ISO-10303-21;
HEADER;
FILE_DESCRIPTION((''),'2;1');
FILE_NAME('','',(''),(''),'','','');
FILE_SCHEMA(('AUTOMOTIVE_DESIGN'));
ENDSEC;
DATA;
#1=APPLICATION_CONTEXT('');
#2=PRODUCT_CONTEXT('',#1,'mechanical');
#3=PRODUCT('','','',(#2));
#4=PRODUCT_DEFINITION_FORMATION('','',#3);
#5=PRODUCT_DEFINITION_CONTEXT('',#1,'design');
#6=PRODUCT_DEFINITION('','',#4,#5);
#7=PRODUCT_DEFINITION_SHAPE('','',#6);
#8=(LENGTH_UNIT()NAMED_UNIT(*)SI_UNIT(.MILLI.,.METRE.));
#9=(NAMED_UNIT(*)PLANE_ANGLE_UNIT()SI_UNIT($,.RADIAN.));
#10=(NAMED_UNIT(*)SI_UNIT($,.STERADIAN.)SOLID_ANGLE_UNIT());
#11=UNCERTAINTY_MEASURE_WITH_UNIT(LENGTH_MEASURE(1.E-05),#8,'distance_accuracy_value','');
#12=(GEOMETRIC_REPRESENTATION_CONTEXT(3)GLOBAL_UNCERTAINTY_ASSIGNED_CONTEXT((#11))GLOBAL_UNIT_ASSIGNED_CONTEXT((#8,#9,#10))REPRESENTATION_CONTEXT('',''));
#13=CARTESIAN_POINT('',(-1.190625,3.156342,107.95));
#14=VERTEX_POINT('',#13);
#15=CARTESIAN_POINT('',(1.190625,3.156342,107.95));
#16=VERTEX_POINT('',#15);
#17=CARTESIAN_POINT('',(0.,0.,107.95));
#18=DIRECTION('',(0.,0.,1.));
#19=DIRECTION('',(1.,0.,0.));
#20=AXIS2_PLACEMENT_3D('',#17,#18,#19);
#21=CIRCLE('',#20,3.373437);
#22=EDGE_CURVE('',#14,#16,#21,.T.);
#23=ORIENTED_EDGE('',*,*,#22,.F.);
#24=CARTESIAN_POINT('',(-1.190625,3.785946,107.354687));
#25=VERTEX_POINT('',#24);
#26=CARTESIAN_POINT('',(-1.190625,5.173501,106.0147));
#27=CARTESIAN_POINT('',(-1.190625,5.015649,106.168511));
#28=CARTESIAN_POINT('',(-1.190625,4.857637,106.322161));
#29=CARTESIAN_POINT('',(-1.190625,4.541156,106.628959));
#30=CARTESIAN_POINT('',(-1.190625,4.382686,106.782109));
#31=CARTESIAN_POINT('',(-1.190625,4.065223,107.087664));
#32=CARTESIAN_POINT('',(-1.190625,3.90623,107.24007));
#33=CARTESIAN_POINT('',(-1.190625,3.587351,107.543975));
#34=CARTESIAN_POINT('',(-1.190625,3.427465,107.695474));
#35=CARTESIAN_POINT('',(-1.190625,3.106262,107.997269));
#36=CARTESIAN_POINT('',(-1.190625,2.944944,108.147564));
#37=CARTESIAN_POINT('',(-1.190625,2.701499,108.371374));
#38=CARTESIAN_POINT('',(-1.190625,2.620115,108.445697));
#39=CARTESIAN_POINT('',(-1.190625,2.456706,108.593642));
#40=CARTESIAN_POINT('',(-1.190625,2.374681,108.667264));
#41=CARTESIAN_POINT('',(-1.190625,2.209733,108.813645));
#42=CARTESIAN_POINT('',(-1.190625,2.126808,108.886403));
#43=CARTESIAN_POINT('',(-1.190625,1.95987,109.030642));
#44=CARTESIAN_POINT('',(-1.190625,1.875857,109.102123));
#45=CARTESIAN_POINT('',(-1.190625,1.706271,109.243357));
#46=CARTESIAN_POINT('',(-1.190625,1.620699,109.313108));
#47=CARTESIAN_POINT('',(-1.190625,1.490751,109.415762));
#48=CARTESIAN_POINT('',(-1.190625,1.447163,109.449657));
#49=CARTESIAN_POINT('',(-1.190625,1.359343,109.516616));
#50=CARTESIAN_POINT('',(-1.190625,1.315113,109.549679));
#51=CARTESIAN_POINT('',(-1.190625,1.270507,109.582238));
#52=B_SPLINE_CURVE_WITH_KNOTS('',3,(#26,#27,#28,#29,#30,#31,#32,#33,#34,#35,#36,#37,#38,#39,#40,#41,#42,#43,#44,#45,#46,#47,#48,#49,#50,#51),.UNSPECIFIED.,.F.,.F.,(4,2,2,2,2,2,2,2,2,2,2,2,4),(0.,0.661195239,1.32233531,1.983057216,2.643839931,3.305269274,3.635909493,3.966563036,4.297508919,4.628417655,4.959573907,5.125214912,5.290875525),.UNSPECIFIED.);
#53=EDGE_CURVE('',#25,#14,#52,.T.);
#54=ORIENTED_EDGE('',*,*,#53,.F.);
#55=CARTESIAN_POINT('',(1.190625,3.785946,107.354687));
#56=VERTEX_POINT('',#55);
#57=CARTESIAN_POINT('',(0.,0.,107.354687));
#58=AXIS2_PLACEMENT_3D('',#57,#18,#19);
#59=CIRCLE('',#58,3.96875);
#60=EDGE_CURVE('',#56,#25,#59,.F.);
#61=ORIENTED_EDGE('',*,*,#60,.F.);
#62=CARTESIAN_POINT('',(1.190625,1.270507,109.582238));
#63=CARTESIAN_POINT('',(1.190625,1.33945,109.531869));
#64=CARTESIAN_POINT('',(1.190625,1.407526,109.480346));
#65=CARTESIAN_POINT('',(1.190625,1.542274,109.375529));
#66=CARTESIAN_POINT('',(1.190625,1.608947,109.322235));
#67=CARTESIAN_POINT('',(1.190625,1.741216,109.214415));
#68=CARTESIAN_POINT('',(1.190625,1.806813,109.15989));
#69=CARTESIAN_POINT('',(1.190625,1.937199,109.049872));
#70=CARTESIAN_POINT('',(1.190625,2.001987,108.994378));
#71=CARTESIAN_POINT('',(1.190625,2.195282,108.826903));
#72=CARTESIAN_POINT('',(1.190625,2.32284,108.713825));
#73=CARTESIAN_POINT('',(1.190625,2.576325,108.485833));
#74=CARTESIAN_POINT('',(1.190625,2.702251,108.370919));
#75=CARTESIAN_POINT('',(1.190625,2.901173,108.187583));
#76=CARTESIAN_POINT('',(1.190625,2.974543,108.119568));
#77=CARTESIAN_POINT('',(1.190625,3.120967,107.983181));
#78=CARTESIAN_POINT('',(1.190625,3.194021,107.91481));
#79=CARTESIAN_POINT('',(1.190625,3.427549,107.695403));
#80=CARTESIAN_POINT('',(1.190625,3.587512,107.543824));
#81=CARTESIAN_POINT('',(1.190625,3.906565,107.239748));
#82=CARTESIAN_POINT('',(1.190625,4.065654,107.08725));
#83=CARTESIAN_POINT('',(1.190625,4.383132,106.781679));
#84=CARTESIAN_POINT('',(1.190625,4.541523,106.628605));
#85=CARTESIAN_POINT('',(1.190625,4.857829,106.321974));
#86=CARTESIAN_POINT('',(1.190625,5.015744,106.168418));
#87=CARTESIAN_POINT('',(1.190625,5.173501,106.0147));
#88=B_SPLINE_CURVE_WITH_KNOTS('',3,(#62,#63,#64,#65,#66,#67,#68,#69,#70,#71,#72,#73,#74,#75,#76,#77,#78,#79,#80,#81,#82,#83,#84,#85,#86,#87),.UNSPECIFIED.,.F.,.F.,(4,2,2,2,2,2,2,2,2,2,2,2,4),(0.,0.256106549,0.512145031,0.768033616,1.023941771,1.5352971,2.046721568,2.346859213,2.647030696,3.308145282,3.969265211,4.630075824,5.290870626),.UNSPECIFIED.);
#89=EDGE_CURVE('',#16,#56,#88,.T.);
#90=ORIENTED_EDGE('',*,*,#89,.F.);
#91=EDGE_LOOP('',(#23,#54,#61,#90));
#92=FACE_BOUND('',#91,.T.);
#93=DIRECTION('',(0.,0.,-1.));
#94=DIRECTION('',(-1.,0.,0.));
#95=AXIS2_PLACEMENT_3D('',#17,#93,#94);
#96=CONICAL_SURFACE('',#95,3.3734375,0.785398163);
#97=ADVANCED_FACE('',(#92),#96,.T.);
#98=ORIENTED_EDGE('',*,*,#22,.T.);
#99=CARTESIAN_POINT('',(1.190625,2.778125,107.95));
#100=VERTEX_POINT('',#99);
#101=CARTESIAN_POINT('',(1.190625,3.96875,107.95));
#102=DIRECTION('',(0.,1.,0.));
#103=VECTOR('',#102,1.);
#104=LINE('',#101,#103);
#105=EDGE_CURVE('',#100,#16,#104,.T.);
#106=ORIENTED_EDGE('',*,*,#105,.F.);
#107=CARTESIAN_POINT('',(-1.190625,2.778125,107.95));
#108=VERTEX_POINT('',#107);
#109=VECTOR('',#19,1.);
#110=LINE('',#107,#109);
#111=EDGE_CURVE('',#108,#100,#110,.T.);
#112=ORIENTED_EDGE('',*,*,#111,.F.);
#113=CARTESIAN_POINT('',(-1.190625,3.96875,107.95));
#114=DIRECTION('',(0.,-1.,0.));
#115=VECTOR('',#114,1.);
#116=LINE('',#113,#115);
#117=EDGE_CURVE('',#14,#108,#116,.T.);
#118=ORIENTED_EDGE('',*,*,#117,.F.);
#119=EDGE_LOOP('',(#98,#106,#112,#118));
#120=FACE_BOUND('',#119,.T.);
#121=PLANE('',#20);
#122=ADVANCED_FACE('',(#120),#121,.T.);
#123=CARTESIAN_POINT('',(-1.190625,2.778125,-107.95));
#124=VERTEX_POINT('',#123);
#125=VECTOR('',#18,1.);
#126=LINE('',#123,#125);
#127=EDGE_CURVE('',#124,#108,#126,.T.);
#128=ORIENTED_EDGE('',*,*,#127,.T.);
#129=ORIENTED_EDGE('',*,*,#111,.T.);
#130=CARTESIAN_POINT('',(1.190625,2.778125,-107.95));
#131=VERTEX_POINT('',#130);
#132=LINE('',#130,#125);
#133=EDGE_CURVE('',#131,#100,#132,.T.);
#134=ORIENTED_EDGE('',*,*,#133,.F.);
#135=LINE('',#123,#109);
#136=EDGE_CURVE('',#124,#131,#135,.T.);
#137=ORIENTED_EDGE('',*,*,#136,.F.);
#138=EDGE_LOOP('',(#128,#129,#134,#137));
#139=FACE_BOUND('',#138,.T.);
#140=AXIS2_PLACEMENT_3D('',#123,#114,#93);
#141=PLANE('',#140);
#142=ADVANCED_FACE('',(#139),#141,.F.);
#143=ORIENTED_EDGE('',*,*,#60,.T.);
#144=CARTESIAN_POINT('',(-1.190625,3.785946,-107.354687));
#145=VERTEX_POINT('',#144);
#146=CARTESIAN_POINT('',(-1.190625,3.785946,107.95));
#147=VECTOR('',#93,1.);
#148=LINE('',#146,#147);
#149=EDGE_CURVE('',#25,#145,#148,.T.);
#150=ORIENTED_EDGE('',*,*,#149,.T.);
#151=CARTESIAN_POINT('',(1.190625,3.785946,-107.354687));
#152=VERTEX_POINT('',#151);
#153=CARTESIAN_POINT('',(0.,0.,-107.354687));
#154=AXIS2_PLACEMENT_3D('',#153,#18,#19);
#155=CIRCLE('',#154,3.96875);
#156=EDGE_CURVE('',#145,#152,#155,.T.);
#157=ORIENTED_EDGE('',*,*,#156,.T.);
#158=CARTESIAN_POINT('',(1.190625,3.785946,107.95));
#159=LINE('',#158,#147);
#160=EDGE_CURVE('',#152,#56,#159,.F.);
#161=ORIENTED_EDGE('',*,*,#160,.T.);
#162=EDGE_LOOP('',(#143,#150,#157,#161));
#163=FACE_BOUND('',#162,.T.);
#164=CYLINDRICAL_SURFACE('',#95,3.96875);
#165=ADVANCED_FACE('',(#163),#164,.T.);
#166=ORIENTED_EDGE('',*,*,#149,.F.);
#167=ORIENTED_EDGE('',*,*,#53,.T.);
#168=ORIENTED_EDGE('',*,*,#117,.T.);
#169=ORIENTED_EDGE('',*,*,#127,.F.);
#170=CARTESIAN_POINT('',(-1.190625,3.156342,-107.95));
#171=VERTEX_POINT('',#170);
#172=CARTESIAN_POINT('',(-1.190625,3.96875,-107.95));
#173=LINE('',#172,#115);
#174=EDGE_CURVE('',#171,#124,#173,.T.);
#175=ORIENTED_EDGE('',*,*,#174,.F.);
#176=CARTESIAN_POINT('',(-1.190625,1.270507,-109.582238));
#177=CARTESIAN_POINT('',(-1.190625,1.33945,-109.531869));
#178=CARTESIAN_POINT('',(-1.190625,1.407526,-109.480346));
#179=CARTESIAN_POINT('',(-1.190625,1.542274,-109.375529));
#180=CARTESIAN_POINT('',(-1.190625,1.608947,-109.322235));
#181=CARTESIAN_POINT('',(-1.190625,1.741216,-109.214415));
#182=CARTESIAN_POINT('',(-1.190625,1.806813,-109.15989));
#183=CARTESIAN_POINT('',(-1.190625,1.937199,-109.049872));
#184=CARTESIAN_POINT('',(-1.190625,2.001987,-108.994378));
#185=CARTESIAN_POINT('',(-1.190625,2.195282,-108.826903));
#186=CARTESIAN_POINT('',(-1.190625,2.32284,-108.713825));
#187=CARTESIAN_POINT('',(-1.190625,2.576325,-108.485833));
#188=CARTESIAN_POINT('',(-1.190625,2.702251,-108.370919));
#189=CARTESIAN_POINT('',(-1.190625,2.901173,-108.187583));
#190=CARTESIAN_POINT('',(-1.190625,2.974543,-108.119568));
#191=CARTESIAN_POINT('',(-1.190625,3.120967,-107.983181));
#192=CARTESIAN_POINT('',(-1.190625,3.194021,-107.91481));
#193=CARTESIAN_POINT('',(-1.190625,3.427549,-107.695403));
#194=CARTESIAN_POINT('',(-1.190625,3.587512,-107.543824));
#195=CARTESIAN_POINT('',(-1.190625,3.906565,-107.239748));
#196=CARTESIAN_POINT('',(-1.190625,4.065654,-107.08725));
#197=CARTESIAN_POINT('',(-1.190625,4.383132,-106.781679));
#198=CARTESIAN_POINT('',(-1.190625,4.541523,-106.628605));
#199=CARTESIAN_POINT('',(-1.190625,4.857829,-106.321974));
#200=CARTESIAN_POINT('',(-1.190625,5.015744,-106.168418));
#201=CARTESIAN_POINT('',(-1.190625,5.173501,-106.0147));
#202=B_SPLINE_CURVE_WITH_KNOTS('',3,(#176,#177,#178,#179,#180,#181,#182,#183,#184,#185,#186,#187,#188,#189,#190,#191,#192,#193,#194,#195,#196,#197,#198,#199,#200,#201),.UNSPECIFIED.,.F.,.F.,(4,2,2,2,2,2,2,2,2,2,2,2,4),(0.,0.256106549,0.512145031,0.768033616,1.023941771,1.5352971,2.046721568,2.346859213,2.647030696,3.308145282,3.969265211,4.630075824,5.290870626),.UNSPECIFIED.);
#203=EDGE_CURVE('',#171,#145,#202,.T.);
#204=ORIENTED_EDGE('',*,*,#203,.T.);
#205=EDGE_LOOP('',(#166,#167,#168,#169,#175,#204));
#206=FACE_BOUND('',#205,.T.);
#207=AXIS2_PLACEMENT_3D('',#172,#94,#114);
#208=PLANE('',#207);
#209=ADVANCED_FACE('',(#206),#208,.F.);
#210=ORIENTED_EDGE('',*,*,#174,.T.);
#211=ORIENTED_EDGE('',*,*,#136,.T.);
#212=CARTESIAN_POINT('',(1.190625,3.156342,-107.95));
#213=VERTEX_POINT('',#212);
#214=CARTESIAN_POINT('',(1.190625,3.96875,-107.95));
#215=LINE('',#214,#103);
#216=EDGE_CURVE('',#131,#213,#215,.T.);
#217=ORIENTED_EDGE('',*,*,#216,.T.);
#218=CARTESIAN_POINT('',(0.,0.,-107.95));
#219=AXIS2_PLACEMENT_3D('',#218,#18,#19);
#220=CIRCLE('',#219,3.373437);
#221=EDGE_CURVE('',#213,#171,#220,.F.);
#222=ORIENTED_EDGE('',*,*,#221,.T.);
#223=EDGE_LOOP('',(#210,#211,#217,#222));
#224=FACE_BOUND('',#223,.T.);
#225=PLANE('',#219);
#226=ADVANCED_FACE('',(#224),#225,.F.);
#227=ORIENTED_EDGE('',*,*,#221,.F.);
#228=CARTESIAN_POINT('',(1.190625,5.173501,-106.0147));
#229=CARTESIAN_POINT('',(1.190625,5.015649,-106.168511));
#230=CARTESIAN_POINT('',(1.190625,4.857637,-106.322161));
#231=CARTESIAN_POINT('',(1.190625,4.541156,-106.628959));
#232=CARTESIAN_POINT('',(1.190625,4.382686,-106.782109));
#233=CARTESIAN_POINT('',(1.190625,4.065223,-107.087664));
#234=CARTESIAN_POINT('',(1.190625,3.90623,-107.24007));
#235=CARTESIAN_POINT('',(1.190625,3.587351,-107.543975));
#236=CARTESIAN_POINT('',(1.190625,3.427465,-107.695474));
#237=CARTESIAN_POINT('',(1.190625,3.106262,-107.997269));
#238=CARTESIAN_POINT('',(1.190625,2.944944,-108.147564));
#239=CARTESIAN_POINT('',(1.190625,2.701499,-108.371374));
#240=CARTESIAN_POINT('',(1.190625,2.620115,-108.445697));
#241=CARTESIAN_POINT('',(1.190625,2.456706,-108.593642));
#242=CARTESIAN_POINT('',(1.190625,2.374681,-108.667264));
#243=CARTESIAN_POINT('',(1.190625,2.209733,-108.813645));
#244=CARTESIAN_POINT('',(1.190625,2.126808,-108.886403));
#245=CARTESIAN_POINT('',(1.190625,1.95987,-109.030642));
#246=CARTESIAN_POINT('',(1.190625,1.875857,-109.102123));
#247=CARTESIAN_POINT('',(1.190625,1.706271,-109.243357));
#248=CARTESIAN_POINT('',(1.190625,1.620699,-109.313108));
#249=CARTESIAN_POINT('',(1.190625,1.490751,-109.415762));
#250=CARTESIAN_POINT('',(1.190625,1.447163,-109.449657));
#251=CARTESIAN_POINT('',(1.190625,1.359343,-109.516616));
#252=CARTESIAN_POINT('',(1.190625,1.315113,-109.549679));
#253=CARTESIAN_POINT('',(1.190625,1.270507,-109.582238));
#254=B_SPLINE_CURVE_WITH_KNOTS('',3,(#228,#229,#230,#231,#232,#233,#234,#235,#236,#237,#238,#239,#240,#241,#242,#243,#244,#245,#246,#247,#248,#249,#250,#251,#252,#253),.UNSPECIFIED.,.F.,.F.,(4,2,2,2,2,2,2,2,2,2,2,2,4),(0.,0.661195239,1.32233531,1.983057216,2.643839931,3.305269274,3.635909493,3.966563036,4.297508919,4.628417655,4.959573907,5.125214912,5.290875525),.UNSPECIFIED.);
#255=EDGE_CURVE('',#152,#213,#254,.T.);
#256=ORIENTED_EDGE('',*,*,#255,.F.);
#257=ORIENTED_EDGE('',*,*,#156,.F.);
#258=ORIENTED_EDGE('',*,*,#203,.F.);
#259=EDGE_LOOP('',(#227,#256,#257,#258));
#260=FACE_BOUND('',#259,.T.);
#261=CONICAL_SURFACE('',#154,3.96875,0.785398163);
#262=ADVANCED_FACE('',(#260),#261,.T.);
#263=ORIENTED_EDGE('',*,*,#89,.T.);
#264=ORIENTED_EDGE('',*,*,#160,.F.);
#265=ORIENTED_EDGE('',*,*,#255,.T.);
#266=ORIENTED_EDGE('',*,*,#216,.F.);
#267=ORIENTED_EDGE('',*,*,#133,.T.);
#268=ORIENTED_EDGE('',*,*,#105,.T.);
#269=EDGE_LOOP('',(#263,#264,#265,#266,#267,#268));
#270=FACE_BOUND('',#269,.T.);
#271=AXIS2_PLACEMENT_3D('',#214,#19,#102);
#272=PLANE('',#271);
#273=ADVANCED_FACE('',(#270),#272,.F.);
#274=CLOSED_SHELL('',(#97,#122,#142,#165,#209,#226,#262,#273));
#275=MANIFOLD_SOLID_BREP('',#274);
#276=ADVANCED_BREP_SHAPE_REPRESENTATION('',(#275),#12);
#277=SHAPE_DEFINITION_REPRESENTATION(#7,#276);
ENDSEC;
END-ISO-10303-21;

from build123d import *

# Parameters (mm, degrees)
SKETCH1_R           = 3.96875
EXTRUDE1_DEPTH      = 107.95
CHAMFER1_SIZE       = 0.5953125
EXTRUDE2_DEPTH      = 109.09581145
EXTRUDE2_DEPTH_BACK = 109.09581145
SKETCH3_W           = 2.38125
SKETCH3_H           = 1.190625


with BuildPart() as part:
    # Sketch1 → Extrude1 (new, symmetric)
    with BuildSketch(Plane.XY):
        Circle(SKETCH1_R)
    extrude(amount=EXTRUDE1_DEPTH, both=True)

    # Chamfer1
    chamfer1_edges = [part.edges().sort_by_distance(p)[0] for p in [
        (-3.96875, 0, -107.95),
        (-3.96875, 0, 107.95),
    ]]
    chamfer(chamfer1_edges, length=CHAMFER1_SIZE)

    # Sketch3 → Extrude2 (cut, two sides: drawn at the far end of the back side and taken through both)
    with BuildSketch(Plane.XY.offset(-EXTRUDE2_DEPTH_BACK)):
        with Locations((0, 3.3734375)):
            Rectangle(SKETCH3_W, SKETCH3_H)
    extrude(amount=EXTRUDE2_DEPTH + EXTRUDE2_DEPTH_BACK, mode=Mode.SUBTRACT)


solid = part.part
